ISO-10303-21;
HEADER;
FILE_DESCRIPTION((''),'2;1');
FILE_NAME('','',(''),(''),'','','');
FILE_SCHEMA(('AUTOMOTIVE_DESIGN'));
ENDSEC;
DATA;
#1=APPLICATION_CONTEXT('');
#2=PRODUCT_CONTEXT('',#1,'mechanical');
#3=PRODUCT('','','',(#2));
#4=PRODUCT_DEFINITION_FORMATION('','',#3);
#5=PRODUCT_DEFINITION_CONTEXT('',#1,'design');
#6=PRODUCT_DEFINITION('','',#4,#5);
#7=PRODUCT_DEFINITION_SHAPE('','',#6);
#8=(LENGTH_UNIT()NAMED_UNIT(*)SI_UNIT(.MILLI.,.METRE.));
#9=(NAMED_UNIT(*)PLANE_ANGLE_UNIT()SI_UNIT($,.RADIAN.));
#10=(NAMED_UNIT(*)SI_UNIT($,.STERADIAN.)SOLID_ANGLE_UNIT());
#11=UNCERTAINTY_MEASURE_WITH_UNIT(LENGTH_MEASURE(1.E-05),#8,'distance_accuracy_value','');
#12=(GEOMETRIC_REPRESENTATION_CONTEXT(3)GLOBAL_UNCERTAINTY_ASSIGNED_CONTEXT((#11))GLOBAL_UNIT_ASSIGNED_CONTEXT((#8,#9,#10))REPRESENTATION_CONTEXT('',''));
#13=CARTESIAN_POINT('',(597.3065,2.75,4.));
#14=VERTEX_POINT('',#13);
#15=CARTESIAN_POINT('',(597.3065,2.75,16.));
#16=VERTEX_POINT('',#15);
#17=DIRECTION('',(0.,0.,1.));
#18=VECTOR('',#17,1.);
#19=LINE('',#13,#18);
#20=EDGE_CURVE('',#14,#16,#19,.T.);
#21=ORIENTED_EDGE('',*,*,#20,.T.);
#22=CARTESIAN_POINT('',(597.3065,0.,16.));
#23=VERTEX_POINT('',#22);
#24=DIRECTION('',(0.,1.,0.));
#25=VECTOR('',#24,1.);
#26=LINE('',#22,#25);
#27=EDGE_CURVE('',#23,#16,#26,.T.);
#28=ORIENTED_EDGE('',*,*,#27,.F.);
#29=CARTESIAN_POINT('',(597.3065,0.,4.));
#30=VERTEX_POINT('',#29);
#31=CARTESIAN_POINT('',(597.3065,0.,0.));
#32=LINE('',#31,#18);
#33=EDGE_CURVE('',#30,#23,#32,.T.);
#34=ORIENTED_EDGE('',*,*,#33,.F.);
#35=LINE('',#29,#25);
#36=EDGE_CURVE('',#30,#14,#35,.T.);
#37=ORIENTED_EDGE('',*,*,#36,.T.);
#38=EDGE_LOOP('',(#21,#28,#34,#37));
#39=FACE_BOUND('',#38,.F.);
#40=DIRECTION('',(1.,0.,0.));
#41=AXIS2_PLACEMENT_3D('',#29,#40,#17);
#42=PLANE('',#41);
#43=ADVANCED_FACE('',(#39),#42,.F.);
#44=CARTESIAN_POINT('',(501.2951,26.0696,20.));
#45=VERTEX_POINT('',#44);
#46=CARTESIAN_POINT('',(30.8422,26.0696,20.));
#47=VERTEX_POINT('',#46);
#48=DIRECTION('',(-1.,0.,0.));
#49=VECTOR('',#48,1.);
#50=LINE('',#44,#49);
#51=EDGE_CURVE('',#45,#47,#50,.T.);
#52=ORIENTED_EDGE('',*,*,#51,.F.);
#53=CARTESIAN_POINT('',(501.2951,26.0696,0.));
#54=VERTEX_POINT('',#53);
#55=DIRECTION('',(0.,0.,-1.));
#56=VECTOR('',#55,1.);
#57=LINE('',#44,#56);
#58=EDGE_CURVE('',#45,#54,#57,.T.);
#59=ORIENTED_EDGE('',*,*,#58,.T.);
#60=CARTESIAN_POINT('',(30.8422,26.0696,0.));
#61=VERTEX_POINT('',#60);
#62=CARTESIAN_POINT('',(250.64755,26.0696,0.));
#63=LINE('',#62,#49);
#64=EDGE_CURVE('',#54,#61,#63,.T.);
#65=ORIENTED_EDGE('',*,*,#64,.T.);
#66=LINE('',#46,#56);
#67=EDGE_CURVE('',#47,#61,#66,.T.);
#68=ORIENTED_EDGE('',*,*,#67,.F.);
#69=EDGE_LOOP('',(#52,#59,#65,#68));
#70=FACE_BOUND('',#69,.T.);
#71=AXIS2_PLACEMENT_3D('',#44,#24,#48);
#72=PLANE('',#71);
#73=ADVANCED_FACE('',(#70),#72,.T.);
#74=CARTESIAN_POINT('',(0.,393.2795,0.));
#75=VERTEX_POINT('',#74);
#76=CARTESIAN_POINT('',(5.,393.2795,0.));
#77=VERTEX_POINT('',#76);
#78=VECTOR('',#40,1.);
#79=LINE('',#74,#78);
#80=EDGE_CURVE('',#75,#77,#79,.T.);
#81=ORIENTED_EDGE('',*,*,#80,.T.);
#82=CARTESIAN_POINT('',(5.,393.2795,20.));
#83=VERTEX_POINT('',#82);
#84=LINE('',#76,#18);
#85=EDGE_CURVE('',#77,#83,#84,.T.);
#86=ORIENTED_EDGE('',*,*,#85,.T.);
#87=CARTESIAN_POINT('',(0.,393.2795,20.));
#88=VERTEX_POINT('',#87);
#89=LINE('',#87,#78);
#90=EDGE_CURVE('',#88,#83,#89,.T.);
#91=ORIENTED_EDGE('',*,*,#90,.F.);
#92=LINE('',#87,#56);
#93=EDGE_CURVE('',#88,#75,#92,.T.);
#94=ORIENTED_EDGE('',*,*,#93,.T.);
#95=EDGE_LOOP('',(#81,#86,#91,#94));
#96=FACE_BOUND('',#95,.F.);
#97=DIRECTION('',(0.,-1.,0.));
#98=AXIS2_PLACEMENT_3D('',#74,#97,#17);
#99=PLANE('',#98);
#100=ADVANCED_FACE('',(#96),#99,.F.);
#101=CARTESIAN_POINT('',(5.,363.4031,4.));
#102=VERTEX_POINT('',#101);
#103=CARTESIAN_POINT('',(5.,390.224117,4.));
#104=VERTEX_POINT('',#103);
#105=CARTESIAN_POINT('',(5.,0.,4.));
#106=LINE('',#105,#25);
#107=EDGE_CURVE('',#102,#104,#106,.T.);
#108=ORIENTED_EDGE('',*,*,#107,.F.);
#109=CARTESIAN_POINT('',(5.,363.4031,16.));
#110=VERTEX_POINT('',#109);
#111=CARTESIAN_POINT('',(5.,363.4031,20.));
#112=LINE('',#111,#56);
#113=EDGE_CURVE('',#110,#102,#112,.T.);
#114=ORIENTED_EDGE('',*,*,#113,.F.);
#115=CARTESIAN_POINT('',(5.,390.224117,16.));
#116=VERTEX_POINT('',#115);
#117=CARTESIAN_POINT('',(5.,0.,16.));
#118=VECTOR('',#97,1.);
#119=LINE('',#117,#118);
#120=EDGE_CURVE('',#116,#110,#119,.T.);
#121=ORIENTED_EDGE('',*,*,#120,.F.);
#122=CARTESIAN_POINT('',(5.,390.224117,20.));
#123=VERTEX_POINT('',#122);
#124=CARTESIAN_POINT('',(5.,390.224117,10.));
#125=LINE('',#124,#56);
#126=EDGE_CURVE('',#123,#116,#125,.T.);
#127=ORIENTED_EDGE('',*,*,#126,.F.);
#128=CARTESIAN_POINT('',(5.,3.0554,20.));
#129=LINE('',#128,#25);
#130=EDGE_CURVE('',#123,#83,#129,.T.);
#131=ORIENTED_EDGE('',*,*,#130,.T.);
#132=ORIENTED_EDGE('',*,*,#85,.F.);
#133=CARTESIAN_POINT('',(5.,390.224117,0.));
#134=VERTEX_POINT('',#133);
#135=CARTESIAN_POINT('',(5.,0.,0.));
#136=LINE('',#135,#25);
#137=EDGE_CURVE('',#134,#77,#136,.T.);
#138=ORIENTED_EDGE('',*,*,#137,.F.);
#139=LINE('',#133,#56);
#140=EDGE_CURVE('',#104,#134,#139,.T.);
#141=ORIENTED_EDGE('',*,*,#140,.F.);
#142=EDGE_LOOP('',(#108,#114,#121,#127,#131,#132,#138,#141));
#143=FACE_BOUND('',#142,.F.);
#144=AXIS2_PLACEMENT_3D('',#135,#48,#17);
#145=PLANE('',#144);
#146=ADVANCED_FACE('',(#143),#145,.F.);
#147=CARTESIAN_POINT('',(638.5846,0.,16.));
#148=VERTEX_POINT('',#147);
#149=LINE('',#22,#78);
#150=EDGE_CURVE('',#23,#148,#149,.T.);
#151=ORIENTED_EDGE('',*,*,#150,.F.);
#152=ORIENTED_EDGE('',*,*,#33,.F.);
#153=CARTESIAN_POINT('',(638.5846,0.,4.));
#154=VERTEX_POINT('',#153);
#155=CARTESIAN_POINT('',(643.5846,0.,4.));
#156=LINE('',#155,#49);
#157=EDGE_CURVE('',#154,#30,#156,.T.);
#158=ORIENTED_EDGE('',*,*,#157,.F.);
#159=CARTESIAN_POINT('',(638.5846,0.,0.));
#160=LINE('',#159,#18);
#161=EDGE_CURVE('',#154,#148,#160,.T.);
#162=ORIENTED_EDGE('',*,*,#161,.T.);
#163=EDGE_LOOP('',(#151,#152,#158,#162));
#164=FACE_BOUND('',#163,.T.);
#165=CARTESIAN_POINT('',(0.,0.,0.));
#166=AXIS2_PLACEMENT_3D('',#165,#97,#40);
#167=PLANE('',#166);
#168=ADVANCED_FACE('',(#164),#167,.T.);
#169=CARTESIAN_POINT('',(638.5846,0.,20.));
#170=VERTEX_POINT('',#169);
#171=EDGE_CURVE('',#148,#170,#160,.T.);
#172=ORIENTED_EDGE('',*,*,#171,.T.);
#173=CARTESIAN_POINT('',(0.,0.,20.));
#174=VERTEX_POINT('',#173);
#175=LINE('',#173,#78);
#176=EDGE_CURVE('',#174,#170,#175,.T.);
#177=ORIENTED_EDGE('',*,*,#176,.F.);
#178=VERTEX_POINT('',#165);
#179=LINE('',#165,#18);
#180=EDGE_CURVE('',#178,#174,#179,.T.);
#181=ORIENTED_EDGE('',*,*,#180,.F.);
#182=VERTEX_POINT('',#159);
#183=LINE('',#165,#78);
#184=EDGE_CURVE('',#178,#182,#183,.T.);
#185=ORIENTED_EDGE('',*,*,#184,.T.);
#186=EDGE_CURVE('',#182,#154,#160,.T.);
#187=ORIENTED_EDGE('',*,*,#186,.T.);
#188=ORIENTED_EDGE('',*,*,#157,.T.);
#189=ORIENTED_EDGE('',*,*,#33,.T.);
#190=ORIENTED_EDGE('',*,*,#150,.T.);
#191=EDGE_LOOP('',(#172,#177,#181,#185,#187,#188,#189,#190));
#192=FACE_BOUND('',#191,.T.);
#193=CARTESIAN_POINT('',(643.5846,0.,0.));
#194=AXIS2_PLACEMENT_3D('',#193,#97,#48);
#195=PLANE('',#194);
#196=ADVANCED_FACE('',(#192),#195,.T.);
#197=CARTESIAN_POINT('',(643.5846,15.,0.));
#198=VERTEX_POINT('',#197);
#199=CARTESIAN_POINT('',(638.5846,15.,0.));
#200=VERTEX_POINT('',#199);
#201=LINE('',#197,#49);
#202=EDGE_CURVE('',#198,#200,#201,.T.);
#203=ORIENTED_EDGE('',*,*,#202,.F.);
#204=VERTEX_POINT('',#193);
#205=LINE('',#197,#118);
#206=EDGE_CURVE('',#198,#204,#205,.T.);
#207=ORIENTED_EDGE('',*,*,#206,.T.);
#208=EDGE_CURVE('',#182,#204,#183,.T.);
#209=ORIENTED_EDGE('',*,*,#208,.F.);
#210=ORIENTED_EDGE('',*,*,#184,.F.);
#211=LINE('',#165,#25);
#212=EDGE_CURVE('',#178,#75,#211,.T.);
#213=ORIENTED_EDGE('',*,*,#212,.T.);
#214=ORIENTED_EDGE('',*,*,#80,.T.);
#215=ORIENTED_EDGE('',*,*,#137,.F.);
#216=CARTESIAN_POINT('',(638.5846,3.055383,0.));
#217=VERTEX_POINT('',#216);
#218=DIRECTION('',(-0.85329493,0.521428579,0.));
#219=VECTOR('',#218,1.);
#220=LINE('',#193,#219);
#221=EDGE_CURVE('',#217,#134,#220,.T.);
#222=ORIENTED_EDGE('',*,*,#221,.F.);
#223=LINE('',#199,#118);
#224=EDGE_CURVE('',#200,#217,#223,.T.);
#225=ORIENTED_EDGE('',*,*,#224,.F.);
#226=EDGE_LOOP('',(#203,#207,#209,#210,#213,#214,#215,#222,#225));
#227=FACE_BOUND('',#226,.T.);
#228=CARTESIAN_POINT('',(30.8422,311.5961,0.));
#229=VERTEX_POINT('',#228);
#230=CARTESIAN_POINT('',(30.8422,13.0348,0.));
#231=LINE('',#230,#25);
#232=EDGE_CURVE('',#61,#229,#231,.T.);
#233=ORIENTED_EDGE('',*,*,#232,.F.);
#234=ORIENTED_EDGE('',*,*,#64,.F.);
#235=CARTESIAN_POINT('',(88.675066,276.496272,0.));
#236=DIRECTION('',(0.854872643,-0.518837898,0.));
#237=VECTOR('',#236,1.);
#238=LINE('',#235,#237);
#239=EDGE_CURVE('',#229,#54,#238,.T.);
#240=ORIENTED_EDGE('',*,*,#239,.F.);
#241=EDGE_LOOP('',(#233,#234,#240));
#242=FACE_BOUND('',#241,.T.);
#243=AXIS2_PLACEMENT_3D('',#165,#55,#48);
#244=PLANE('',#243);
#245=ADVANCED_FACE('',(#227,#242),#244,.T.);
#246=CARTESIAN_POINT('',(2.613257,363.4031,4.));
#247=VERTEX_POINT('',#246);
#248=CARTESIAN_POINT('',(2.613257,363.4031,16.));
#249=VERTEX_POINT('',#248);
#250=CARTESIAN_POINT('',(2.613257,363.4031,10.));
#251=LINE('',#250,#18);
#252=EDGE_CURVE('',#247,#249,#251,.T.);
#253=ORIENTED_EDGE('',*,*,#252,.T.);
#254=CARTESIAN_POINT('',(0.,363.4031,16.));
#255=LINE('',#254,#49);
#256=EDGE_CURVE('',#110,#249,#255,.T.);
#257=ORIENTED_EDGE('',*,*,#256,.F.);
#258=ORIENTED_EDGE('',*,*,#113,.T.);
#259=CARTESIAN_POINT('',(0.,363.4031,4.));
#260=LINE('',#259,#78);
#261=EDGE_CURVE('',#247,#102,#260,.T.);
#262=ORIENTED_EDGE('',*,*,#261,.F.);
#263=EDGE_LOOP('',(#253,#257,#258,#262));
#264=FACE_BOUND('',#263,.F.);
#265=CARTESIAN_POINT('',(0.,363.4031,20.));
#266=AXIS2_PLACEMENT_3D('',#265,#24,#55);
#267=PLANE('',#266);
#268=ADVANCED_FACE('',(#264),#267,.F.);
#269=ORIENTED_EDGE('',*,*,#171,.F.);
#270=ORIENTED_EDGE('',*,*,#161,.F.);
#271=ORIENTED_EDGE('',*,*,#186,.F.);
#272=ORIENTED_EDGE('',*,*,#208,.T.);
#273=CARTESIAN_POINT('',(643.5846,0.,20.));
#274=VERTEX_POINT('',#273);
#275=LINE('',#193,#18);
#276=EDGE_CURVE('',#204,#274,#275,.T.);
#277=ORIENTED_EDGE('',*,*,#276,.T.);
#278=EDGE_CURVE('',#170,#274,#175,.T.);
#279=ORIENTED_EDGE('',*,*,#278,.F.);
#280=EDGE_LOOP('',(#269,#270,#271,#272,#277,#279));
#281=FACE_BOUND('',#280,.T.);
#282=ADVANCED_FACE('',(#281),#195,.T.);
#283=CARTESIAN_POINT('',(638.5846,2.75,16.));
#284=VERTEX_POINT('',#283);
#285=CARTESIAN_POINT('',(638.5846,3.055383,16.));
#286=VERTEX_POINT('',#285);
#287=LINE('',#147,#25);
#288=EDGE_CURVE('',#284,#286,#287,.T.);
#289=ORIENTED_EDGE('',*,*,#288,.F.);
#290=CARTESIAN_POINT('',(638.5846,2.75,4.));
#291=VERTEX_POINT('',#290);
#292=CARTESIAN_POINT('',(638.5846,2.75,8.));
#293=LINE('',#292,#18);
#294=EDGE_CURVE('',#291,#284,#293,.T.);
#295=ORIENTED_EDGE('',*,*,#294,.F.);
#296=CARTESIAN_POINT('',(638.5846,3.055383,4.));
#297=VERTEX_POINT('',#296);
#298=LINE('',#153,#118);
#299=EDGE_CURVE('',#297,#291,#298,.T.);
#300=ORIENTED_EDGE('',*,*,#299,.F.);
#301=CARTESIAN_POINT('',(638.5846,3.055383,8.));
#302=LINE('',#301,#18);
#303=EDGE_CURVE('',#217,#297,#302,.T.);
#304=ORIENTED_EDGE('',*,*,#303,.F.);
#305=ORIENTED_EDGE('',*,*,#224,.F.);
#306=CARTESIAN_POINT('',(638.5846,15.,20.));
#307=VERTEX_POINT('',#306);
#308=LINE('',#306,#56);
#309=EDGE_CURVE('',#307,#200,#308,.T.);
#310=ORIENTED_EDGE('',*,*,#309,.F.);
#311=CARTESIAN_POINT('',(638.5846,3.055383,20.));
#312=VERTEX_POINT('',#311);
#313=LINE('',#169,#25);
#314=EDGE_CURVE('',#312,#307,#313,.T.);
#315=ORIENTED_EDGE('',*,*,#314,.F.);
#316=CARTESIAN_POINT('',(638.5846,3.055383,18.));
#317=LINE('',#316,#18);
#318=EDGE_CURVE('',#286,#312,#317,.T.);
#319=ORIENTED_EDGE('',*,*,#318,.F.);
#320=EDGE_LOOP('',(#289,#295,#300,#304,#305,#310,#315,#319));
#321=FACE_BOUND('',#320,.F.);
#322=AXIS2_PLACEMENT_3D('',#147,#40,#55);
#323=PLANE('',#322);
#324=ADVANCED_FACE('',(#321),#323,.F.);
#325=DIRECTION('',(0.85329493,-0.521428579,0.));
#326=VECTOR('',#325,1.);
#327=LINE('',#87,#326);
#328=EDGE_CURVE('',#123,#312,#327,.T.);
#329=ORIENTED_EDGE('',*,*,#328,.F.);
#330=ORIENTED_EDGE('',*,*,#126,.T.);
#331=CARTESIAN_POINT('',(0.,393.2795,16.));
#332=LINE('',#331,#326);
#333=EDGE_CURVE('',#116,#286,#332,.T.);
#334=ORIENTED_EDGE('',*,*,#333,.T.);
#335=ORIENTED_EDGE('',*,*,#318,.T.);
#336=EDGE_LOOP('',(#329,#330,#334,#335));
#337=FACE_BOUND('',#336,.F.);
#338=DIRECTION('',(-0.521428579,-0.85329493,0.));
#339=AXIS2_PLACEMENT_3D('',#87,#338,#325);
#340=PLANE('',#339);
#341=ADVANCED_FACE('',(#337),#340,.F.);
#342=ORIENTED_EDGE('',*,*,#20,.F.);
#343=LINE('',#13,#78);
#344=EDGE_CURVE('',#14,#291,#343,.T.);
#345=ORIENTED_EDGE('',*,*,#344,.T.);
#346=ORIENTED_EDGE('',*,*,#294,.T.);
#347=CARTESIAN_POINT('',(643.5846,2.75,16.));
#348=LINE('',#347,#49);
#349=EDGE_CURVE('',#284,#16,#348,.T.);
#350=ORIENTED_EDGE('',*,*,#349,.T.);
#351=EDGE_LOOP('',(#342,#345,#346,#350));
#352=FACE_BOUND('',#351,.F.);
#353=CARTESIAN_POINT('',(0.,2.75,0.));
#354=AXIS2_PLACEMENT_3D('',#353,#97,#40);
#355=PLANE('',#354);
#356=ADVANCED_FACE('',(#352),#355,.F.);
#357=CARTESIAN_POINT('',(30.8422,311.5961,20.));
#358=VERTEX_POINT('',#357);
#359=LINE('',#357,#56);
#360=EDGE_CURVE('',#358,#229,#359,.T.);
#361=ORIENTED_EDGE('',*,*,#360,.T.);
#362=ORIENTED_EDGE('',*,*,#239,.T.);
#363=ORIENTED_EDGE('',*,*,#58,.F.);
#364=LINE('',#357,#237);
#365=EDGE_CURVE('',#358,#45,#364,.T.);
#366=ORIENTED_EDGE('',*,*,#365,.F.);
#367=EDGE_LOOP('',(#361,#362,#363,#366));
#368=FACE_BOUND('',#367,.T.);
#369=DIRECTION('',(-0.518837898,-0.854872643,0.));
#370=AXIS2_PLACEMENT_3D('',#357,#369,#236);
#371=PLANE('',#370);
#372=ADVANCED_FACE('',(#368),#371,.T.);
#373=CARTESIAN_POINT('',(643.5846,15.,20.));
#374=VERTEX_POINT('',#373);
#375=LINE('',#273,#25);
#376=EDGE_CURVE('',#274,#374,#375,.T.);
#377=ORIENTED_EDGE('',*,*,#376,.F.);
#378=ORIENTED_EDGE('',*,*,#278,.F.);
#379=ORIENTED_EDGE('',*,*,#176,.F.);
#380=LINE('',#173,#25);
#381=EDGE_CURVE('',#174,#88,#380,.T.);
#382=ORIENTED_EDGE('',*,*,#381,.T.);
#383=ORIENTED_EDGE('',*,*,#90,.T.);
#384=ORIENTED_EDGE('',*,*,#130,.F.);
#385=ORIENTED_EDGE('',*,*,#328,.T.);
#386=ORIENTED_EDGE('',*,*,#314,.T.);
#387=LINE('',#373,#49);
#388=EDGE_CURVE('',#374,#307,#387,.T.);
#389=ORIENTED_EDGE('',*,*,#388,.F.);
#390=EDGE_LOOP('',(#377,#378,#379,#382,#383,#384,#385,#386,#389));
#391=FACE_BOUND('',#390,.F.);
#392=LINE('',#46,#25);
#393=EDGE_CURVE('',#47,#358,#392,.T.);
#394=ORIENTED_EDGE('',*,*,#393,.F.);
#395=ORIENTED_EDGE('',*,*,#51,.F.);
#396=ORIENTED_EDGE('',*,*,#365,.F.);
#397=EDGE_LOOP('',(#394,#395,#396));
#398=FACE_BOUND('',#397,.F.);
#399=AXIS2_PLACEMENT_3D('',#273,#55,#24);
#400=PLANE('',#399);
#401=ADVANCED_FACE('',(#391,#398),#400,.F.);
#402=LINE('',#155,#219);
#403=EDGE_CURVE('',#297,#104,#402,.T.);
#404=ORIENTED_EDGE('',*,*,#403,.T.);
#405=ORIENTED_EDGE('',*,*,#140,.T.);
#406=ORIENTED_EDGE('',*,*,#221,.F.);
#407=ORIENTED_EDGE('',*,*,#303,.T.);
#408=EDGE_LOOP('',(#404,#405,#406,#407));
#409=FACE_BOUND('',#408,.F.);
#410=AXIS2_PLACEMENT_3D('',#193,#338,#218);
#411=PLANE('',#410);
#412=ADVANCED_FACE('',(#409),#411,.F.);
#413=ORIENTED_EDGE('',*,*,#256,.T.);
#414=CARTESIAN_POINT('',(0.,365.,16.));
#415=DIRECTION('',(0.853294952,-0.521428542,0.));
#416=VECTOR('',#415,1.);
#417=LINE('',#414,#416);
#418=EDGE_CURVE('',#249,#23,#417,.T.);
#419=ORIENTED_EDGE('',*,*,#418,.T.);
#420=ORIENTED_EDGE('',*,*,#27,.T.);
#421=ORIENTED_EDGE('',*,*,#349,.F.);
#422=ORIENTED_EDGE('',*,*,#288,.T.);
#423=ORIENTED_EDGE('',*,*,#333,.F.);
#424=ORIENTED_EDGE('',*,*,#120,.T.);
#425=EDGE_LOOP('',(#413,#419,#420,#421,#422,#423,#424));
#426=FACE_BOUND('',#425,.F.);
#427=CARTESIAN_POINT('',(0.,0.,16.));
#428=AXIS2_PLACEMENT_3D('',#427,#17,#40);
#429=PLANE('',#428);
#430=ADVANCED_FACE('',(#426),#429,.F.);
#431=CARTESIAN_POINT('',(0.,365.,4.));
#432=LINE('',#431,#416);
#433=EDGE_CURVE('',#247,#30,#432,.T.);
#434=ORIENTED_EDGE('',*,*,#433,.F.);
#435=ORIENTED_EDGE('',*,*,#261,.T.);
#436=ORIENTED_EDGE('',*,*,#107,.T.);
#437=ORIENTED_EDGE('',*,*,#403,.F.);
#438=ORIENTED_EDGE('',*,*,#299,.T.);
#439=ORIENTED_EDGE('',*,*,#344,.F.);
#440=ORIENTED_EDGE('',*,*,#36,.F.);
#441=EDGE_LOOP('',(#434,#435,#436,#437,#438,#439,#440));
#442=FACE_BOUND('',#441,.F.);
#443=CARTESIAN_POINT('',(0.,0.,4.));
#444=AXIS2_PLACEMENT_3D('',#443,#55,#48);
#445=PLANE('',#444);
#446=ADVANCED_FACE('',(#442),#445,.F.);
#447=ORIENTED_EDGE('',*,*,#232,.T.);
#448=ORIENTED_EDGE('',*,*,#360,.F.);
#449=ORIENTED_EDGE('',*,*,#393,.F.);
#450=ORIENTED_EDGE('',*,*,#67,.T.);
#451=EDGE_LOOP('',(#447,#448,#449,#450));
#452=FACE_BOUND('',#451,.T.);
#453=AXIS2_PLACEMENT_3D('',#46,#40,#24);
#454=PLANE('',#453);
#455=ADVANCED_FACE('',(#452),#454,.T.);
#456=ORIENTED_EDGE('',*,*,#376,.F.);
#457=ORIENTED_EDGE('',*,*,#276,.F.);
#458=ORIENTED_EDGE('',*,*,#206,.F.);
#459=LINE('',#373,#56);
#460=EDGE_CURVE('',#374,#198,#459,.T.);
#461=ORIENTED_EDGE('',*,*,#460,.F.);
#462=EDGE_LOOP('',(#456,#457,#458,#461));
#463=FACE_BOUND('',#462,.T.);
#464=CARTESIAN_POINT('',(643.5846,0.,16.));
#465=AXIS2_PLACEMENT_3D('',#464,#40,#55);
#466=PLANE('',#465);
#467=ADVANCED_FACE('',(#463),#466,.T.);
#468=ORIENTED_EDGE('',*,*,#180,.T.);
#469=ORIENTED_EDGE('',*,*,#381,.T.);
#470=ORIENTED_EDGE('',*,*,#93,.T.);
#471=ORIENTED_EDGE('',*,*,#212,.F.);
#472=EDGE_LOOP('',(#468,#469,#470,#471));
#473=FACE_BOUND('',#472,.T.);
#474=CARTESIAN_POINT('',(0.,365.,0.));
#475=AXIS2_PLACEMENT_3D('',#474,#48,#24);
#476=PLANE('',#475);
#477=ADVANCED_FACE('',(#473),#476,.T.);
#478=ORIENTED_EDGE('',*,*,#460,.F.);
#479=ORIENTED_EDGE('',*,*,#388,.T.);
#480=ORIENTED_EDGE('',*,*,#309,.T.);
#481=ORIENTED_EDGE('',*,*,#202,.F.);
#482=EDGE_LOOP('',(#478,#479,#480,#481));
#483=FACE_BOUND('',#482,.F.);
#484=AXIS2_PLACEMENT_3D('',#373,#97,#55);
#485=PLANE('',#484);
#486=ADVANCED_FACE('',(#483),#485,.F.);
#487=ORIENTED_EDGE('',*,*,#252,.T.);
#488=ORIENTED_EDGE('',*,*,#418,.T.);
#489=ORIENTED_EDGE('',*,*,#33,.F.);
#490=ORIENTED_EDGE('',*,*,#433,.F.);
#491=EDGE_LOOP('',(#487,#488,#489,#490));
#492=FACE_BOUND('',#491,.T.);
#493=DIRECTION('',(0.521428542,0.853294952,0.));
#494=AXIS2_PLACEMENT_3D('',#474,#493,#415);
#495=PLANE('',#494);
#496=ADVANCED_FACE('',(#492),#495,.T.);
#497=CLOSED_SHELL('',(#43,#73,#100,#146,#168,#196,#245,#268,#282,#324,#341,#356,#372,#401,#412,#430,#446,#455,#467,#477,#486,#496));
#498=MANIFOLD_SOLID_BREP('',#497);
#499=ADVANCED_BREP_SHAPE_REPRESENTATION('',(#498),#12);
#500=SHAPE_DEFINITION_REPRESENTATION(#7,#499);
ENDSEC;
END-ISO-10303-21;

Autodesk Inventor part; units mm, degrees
ref_plane "YZ Plane" through (0, 0, 0) normal (1, 0, 0) x (0, 1, 0)
ref_plane "XZ Plane" through (0, 0, 0) normal (0, 1, 0) x (-1, 0, 0)
ref_plane "XY Plane" through (0, 0, 0) normal (0, 0, 1) x (1, 0, 0)
sketch "Sketch1" plane through (0, 0, 0) normal (0, 0, 1) x (1, 0, 0)
  line L0 (0, 0) -> (0, 365)
  line L1 (0, 365) -> (597.3065, 0)
  line L2 (597.3065, 0) -> (0, 0)
  dimension "d0" = 365
  dimension "d1" = 700
extrude "Extrusion1" add sketch "Sketch1" along normal blind 20
sketch "Sketch2" plane through (0, 0, 20) normal (0, 0, 1) x (1, 0, 0)
  line L0 (30.8422, 26.0696) -> (30.8422, 311.5961)
  line L1 (0, 365) -> (0, 0) projected
  line L2 (30.8422, 311.5961) -> (501.2951, 26.0696)
  line L3 (501.2951, 26.0696) -> (30.8422, 26.0696)
extrude "Extrusion2" cut sketch "Sketch2" against normal blind 161.75
sketch "Sketch3" plane through (0, 0, 20) normal (0, 0, 1) x (1, 0, 0)
  line L0 (0, 365) -> (597.3065, 0) projected
  line L1 (0, 365) -> (0, 393.2795)
  line L2 (0, 393.2795) -> (643.5846, 0)
  line L3 (597.3065, 0) -> (643.5846, 0)
  point P0 (0, 0)
extrude "Extrusion3" add sketch "Sketch3" against normal blind 4
sketch "Sketch4" plane through (0, 0, 0) normal (0, 0, -1) x (-1, 0, 0)
  line L0 (-597.3065, 0) -> (0, 0) projected
  line L1 (-643.5846, 0) -> (-597.3065, 0) projected
  line L2 (-597.3065, 0) -> (-643.5846, 0)
  line L3 (0, 365) -> (0, 393.2795) projected
  line L4 (-643.5846, 0) -> (0, 393.2795)
  line L5 (0, 393.2795) -> (0, 365)
  line L6 (0, 365) -> (-597.3065, 0)
extrude "Extrusion4" add sketch "Sketch4" against normal blind 4
sketch "Sketch5" plane through (0, 0, 0) normal (0, -1, 0) x (1, 0, 0)
  line L0 (597.3065, 4) -> (643.5846, 4) projected
  line L1 (643.5846, 20) -> (643.5846, 16) projected
  line L2 (643.5846, 4) -> (643.5846, 16)
  line L3 (597.3065, 4) -> (597.3065, 16) projected
  line L4 (643.5846, 16) -> (597.3065, 16)
  line L5 (597.3065, 16) -> (597.3065, 4)
  point P0 (0, 0)
extrude "Extrusion5" add sketch "Sketch5" against normal blind 2.75
sketch "Sketch6" plane through (643.5846, 0, 16) normal (1, 0, 0) x (0, 0, -1)
  line L0 (-4, 0) -> (-4, 393.2795) projected
  line L1 (16, 0) -> (-4, 0)
  line L2 (-4, 0) -> (-4, 15)
  line L3 (-4, 15) -> (16, 15)
  line L4 (16, 15) -> (16, 0)
  dimension "d12" = 15
extrude "Extrusion6" add sketch "Sketch6" against normal blind 5
sketch "Sketch7" plane through (0, 0, 0) normal (-1, 0, 0) x (0, 0, 1)
  line L0 (0, 0) -> (0, 393.2795) projected
  line L1 (20, 3.0554) -> (20, 393.2795) projected
  line L2 (0, 393.2795) -> (20, 393.2795)
  line L3 (20, 393.2795) -> (20, 363.4031)
  line L4 (20, 363.4031) -> (0, 363.4031)
  line L5 (0, 363.4031) -> (0, 393.2795)
extrude "Extrusion7" add sketch "Sketch7" against normal blind 5
